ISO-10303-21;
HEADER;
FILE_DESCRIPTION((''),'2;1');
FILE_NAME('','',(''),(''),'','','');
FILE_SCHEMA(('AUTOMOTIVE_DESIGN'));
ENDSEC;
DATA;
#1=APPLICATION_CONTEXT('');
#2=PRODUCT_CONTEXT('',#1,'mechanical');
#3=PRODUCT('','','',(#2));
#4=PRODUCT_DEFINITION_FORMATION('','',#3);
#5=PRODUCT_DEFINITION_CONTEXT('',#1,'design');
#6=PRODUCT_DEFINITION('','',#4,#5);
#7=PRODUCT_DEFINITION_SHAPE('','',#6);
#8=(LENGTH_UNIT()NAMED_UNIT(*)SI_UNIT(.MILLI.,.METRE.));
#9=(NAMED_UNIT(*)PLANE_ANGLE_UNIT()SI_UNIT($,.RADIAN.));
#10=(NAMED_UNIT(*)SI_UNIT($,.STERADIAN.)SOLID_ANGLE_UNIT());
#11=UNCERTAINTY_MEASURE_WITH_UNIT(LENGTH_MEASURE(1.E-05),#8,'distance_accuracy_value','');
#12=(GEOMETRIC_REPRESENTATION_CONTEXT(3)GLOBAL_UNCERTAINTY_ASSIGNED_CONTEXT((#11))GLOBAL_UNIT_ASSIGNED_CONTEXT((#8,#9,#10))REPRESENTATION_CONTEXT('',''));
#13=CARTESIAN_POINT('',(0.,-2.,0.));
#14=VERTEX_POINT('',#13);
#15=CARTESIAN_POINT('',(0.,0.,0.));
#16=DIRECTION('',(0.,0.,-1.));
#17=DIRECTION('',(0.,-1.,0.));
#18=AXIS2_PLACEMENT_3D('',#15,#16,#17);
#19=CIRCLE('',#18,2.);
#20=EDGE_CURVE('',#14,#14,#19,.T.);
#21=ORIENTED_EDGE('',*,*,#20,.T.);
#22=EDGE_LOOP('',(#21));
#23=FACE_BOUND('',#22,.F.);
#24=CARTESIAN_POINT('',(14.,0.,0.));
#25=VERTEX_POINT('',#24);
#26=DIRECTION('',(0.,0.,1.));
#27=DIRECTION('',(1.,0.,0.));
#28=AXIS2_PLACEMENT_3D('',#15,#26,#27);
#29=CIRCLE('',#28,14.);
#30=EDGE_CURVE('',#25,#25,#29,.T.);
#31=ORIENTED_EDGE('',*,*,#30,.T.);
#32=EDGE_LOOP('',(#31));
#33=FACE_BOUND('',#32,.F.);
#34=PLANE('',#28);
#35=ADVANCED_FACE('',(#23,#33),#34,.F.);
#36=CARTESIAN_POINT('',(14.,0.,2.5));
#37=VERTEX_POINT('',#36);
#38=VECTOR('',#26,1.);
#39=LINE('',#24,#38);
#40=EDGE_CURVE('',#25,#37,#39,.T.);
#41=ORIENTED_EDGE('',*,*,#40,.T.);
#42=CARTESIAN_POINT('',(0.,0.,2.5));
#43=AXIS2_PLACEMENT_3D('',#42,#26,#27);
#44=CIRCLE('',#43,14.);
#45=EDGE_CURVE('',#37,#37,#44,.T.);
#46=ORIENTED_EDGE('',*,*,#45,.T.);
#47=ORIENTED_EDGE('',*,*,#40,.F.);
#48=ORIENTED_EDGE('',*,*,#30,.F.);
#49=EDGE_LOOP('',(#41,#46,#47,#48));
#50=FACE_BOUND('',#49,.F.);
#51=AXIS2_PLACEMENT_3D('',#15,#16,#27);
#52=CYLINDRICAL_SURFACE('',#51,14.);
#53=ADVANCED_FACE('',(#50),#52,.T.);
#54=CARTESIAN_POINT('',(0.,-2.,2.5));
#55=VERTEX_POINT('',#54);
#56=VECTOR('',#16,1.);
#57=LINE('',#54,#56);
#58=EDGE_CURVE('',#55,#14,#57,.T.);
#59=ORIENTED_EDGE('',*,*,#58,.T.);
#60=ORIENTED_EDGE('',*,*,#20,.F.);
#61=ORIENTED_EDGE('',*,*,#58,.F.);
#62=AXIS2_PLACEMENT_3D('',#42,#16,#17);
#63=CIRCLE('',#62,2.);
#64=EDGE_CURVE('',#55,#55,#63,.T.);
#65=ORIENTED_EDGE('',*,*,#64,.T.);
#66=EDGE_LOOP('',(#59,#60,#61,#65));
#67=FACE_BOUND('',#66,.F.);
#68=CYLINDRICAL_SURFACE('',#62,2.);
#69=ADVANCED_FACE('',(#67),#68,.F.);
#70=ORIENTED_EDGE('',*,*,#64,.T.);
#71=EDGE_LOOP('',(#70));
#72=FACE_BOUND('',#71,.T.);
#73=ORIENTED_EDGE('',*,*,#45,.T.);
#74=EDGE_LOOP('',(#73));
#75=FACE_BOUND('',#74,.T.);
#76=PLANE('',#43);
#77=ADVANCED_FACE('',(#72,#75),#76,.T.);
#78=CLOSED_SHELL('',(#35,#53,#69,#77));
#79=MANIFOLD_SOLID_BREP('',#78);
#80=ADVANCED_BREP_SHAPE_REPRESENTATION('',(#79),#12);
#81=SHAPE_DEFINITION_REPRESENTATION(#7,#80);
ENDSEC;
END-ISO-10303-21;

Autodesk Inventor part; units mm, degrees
ref_plane "YZ Plane" through (0, 0, 0) normal (1, 0, 0) x (0, 1, 0)
ref_plane "XZ Plane" through (0, 0, 0) normal (0, 1, 0) x (-1, 0, 0)
ref_plane "XY Plane" through (0, 0, 0) normal (0, 0, 1) x (1, 0, 0)
sketch "Sketch1" plane through (0, 0, 0) normal (0, 0, 1) x (1, 0, 0)
  circle A0 centre (0, 0) radius 14
  dimension "d0" = 28
extrude "Extrusion1" add sketch "Sketch1" along normal blind 2.5
sketch "Sketch2" plane through (0, 0, 2.5) normal (0, 0, 1) x (1, 0, 0)
  point P0 (0, 0)
  point P1 (0, 0)
hole "Hole1" at (0, 0, 2.5) direction (0, 0, -1) diameter 4 end through all
properties part number "magnet_stop"
